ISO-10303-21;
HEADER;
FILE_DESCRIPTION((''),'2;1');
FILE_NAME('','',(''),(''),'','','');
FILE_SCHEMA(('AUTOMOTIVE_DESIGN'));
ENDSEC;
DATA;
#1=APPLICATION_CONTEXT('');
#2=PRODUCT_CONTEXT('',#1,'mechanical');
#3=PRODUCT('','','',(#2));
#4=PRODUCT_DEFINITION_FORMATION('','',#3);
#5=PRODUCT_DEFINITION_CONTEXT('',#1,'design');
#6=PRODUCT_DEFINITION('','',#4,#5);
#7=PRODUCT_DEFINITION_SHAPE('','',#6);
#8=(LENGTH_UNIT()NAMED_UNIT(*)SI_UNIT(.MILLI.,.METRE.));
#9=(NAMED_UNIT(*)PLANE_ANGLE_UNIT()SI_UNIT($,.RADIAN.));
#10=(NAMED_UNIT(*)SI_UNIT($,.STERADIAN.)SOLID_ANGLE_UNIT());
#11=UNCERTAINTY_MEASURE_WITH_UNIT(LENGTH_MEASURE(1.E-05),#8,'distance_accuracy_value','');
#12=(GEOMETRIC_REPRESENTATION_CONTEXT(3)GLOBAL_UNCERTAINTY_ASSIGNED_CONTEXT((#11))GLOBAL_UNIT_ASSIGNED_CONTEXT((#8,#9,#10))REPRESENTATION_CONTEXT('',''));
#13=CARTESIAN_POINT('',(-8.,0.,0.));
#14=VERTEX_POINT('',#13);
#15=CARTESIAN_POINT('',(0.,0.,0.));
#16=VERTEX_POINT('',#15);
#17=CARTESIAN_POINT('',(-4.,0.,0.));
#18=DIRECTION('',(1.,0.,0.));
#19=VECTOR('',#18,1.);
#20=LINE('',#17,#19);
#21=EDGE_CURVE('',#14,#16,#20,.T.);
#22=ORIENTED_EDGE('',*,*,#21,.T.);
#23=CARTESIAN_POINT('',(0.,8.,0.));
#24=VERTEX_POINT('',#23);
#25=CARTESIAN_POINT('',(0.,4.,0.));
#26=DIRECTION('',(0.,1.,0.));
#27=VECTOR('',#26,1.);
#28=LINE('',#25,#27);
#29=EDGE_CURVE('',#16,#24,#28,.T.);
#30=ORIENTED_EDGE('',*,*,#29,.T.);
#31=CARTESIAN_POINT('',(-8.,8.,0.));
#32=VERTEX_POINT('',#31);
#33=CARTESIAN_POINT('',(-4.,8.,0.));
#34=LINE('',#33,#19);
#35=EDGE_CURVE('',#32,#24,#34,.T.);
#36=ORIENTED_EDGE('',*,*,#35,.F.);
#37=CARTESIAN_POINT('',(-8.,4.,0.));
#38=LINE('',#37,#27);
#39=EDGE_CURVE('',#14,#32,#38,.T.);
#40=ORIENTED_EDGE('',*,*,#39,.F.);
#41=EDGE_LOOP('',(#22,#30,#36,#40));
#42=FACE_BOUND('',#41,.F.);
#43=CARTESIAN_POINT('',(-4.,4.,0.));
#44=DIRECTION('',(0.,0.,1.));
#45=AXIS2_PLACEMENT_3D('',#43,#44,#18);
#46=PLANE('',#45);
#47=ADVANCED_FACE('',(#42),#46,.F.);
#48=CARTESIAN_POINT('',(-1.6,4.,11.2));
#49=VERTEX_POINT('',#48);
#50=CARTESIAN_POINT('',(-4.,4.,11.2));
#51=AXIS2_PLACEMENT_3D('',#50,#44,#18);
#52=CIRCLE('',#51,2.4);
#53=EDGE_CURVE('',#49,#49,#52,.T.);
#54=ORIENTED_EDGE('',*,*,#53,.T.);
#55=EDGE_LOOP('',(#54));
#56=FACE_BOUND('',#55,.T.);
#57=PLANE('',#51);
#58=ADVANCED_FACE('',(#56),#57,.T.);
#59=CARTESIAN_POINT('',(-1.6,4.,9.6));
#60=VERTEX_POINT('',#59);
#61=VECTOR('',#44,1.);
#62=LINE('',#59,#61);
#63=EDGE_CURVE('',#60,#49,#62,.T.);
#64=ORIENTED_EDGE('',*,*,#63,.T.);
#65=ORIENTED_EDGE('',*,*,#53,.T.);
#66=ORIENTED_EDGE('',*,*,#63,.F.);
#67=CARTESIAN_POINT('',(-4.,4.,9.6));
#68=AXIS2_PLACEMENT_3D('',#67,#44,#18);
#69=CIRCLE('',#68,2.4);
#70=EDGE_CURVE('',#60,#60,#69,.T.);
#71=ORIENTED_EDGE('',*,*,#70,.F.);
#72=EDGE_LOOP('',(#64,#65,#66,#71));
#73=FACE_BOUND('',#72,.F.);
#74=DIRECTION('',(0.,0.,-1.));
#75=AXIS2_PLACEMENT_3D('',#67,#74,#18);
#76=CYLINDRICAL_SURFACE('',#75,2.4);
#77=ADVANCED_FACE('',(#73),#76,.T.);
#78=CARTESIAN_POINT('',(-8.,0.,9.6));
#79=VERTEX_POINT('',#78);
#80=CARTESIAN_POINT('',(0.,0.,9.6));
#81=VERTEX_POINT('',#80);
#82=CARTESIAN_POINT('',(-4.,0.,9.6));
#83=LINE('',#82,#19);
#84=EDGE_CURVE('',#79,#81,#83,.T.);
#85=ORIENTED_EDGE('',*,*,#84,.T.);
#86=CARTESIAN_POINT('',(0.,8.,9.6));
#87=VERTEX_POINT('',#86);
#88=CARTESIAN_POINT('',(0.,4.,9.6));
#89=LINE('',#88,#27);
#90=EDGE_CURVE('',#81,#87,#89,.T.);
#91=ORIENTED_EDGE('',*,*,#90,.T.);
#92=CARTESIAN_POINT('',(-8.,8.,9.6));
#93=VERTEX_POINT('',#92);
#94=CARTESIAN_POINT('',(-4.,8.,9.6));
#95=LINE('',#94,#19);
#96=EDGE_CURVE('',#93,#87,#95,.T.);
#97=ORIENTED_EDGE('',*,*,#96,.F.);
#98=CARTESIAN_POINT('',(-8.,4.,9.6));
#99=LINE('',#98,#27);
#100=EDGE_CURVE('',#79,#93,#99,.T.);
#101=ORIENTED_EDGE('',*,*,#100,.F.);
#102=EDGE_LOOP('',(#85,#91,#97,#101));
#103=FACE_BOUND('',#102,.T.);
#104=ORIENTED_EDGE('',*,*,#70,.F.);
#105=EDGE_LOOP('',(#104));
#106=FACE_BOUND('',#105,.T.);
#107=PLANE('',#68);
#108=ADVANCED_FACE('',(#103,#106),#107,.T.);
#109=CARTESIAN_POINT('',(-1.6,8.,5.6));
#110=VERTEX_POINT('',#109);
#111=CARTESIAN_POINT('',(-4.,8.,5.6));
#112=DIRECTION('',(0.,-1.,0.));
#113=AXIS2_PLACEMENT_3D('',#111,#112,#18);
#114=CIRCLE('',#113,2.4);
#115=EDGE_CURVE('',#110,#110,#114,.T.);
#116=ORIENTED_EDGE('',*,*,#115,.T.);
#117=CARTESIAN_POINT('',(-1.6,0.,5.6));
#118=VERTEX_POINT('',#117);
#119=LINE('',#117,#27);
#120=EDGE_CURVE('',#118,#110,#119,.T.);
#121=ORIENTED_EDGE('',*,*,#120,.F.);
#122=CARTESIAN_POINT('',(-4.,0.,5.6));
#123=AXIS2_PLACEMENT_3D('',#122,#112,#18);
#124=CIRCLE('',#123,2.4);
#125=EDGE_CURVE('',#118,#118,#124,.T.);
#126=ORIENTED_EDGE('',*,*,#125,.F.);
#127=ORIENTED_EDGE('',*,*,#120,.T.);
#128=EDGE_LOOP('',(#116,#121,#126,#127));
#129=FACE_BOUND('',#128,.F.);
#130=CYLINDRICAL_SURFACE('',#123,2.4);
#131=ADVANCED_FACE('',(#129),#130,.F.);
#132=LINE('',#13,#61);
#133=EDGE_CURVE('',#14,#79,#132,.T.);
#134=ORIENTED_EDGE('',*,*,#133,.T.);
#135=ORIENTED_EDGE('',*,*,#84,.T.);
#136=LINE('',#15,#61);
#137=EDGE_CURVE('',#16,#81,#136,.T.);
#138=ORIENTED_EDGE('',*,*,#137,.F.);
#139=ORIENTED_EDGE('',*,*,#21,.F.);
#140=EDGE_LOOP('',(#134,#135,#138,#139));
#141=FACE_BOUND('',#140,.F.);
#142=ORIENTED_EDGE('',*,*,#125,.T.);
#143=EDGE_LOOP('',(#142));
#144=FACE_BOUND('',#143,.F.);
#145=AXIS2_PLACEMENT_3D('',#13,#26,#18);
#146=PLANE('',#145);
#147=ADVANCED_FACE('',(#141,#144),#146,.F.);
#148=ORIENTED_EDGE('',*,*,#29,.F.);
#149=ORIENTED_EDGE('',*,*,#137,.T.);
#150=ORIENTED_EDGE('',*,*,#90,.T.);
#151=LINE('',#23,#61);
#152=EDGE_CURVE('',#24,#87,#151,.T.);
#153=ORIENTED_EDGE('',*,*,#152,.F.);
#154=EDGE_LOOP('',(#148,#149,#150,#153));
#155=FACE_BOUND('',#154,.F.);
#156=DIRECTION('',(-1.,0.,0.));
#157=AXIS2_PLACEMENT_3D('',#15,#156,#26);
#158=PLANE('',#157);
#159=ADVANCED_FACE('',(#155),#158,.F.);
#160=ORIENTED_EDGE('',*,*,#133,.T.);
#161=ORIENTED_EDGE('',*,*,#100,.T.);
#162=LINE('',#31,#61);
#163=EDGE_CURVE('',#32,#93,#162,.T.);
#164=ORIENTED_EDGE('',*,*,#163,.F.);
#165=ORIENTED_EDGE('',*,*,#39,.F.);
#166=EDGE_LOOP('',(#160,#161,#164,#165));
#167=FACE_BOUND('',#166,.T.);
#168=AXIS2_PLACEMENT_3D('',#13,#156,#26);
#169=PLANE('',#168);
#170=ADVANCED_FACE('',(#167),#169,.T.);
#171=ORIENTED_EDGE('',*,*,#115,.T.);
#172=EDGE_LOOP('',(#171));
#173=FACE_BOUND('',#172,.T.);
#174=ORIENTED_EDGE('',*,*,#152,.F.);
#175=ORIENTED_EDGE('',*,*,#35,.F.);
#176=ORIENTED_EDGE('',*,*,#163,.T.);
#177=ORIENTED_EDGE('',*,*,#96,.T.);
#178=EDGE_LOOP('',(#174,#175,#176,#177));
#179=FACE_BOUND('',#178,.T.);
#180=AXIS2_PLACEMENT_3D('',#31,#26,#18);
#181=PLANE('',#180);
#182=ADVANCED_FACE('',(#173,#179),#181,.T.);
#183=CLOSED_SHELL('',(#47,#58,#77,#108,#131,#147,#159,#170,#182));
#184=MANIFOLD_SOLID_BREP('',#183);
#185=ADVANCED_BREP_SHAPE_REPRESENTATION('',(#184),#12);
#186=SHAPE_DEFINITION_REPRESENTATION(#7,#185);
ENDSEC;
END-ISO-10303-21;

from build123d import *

# Parameters (mm, degrees)
F0_W     = 8
F0_H     = 8
F1_DEPTH = 9.6
F2_R     = 2.4
F3_DEPTH = 25
F4_R     = 2.4
F5_DEPTH = 1.6


with BuildPart() as f1:
    # F0 (on Top) → F1 (new body)
    with BuildSketch(Plane.XY):
        with Locations((-4, 4)):
            Rectangle(F0_W, F0_H)
    extrude(amount=F1_DEPTH)

    # F2 (on face) → F3 (cut)
    with BuildSketch(Plane.XZ):
        with Locations((-4, 5.6)):
            Circle(F2_R)
    extrude(amount=-F3_DEPTH, mode=Mode.SUBTRACT)

    # F4 (on face) → F5 (join)
    with BuildSketch(Plane.XY.offset(9.6)):
        with Locations((-4, 4)):
            Circle(F4_R)
    extrude(amount=F5_DEPTH)


solid = f1.part
